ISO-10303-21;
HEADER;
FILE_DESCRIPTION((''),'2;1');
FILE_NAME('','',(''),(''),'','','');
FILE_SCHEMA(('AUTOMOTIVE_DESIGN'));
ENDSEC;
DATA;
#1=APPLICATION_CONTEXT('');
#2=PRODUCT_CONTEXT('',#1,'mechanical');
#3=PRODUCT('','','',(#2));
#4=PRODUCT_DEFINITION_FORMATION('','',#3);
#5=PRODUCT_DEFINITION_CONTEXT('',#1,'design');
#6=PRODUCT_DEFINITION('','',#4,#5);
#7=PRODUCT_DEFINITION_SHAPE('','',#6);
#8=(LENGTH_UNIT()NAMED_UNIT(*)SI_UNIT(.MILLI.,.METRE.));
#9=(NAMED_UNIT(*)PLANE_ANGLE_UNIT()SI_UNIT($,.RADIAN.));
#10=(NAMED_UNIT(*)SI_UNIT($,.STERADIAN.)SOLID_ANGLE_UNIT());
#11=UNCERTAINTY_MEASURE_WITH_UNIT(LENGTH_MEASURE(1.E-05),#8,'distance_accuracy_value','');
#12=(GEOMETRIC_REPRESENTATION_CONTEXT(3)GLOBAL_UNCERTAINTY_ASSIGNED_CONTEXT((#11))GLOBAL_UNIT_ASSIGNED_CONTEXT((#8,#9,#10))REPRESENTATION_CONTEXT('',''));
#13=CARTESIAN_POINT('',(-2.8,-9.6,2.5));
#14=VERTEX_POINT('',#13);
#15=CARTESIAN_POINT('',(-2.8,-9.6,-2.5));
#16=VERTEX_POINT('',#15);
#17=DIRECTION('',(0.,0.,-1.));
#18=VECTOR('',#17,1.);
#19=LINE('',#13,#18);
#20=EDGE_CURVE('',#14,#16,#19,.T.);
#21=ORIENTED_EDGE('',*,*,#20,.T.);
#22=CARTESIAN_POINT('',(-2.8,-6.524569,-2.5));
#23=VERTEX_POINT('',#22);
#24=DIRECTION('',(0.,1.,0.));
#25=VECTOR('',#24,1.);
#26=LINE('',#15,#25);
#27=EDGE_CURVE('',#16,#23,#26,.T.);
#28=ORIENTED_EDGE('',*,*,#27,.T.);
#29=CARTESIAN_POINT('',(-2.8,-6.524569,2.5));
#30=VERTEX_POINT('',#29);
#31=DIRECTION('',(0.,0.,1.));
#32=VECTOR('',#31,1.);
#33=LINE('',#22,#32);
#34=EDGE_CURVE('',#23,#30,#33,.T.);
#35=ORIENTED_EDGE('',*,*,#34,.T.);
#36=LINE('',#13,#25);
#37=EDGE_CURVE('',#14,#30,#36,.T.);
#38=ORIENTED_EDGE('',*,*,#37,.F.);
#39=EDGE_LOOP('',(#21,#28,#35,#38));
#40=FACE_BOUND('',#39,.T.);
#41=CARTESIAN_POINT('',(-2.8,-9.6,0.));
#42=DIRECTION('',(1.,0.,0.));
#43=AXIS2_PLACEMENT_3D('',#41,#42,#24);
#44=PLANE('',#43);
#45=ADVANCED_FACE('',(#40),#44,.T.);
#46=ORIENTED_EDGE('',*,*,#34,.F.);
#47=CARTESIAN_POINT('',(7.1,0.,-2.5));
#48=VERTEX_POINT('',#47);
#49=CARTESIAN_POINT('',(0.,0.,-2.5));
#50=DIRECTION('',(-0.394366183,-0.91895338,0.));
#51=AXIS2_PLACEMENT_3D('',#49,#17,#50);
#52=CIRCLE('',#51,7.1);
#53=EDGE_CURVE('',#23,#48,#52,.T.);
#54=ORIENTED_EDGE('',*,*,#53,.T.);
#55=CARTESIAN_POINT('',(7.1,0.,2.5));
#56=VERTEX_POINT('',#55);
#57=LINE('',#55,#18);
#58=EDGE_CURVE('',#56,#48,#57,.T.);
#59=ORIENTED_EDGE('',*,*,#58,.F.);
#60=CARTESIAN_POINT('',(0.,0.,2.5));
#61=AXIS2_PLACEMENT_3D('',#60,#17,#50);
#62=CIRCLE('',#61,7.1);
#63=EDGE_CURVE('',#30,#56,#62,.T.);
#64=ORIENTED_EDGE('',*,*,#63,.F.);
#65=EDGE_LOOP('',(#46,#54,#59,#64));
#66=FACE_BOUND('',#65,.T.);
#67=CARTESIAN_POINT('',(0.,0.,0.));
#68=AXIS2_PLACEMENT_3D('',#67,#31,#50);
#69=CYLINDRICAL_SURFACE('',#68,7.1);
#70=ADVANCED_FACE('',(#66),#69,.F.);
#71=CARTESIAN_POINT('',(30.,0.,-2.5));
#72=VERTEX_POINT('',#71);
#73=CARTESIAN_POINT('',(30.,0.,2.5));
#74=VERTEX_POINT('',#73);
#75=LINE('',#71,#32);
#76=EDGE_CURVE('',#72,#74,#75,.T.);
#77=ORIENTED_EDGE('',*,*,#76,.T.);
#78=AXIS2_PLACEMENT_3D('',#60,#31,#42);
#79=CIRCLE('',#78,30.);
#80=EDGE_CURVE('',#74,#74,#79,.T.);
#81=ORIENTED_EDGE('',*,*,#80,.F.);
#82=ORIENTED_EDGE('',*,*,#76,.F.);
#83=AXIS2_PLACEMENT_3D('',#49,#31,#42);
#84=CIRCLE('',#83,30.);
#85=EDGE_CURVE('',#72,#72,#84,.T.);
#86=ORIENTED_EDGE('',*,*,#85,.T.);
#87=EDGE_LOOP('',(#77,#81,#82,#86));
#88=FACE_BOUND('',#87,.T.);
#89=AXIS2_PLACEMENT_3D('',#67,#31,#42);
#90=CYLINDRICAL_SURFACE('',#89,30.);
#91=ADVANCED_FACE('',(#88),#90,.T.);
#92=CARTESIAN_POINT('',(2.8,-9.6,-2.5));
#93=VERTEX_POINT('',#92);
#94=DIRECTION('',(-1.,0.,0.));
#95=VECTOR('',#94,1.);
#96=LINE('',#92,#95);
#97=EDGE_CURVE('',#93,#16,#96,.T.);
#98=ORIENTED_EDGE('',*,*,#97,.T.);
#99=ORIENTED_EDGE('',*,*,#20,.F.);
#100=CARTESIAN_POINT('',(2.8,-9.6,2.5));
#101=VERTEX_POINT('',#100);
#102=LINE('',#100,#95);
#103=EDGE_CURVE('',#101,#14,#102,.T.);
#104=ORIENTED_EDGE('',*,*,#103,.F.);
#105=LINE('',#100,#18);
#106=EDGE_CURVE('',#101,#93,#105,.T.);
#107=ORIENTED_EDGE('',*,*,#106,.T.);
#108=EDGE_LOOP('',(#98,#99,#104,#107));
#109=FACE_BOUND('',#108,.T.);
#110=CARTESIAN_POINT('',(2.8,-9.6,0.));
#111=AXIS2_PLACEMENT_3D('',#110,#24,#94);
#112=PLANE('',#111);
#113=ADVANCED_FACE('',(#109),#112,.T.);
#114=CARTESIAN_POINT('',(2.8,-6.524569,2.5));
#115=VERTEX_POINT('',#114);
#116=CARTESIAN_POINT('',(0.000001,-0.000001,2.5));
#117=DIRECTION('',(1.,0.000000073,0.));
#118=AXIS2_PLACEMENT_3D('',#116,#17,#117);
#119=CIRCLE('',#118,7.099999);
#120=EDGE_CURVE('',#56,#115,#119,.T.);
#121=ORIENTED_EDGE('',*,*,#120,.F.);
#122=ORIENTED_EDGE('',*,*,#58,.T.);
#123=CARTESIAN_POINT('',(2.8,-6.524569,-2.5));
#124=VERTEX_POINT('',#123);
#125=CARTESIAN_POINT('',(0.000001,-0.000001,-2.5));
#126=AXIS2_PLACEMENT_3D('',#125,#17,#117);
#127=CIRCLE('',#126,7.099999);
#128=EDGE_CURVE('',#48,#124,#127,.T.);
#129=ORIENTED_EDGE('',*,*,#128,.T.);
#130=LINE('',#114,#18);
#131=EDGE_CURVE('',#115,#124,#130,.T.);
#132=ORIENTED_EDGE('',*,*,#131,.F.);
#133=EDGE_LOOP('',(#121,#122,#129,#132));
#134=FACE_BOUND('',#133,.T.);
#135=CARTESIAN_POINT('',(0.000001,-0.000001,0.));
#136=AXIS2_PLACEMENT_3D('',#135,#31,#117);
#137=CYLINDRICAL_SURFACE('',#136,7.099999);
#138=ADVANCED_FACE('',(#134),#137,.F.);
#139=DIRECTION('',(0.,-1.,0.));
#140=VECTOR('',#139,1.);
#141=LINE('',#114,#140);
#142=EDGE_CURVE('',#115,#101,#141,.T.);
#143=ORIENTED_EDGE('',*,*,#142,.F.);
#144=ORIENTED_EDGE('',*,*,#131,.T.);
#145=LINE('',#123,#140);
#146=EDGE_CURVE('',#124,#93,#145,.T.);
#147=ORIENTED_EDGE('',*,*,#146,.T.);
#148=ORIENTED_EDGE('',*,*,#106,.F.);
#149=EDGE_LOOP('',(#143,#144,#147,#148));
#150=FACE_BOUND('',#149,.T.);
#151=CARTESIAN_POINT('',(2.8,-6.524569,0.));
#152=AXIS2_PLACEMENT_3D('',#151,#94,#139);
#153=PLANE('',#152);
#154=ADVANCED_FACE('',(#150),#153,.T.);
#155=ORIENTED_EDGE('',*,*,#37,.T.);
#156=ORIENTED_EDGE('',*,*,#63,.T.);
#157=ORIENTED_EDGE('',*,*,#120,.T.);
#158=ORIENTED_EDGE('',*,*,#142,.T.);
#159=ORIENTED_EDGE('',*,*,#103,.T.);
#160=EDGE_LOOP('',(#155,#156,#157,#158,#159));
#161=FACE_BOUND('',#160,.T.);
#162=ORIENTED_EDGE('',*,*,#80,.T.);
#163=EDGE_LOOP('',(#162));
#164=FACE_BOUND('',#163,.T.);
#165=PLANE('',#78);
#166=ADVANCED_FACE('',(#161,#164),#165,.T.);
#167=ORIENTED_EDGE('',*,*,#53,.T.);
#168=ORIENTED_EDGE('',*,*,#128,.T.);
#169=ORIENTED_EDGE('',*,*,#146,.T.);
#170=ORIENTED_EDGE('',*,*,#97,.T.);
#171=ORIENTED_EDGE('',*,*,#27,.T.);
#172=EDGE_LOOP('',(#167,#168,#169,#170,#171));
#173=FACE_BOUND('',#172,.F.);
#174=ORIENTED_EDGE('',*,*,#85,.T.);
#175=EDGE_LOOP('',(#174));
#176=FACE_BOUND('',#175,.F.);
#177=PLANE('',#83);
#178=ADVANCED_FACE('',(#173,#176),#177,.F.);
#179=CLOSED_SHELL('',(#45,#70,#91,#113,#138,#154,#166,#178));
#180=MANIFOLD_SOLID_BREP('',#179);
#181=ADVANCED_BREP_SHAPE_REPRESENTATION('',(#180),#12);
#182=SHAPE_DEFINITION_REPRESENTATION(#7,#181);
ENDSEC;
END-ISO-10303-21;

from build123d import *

# Parameters (mm, degrees)
F0_R     = 30
F1_DEPTH = 2.5


with BuildPart() as f1:
    # F0 (on Top) → F1 (new body, symmetric)
    with BuildSketch(Plane.XY):
        Circle(F0_R)
        with BuildLine():
            ThreePointArc((-2.8, -6.524569), (-3.907045, 5.928322), (7.1, 0))
            ThreePointArc((7.1, 0), (5.928322, -3.907045), (2.8, -6.524569))
            Line((2.8, -6.524569), (2.8, -9.6))
            Line((2.8, -9.6), (0, -9.6))
            Line((0, -9.6), (-2.8, -9.6))
            Line((-2.8, -9.6), (-2.8, -6.524569))
        make_face(mode=Mode.SUBTRACT)
    extrude(amount=F1_DEPTH, both=True)


solid = f1.part
